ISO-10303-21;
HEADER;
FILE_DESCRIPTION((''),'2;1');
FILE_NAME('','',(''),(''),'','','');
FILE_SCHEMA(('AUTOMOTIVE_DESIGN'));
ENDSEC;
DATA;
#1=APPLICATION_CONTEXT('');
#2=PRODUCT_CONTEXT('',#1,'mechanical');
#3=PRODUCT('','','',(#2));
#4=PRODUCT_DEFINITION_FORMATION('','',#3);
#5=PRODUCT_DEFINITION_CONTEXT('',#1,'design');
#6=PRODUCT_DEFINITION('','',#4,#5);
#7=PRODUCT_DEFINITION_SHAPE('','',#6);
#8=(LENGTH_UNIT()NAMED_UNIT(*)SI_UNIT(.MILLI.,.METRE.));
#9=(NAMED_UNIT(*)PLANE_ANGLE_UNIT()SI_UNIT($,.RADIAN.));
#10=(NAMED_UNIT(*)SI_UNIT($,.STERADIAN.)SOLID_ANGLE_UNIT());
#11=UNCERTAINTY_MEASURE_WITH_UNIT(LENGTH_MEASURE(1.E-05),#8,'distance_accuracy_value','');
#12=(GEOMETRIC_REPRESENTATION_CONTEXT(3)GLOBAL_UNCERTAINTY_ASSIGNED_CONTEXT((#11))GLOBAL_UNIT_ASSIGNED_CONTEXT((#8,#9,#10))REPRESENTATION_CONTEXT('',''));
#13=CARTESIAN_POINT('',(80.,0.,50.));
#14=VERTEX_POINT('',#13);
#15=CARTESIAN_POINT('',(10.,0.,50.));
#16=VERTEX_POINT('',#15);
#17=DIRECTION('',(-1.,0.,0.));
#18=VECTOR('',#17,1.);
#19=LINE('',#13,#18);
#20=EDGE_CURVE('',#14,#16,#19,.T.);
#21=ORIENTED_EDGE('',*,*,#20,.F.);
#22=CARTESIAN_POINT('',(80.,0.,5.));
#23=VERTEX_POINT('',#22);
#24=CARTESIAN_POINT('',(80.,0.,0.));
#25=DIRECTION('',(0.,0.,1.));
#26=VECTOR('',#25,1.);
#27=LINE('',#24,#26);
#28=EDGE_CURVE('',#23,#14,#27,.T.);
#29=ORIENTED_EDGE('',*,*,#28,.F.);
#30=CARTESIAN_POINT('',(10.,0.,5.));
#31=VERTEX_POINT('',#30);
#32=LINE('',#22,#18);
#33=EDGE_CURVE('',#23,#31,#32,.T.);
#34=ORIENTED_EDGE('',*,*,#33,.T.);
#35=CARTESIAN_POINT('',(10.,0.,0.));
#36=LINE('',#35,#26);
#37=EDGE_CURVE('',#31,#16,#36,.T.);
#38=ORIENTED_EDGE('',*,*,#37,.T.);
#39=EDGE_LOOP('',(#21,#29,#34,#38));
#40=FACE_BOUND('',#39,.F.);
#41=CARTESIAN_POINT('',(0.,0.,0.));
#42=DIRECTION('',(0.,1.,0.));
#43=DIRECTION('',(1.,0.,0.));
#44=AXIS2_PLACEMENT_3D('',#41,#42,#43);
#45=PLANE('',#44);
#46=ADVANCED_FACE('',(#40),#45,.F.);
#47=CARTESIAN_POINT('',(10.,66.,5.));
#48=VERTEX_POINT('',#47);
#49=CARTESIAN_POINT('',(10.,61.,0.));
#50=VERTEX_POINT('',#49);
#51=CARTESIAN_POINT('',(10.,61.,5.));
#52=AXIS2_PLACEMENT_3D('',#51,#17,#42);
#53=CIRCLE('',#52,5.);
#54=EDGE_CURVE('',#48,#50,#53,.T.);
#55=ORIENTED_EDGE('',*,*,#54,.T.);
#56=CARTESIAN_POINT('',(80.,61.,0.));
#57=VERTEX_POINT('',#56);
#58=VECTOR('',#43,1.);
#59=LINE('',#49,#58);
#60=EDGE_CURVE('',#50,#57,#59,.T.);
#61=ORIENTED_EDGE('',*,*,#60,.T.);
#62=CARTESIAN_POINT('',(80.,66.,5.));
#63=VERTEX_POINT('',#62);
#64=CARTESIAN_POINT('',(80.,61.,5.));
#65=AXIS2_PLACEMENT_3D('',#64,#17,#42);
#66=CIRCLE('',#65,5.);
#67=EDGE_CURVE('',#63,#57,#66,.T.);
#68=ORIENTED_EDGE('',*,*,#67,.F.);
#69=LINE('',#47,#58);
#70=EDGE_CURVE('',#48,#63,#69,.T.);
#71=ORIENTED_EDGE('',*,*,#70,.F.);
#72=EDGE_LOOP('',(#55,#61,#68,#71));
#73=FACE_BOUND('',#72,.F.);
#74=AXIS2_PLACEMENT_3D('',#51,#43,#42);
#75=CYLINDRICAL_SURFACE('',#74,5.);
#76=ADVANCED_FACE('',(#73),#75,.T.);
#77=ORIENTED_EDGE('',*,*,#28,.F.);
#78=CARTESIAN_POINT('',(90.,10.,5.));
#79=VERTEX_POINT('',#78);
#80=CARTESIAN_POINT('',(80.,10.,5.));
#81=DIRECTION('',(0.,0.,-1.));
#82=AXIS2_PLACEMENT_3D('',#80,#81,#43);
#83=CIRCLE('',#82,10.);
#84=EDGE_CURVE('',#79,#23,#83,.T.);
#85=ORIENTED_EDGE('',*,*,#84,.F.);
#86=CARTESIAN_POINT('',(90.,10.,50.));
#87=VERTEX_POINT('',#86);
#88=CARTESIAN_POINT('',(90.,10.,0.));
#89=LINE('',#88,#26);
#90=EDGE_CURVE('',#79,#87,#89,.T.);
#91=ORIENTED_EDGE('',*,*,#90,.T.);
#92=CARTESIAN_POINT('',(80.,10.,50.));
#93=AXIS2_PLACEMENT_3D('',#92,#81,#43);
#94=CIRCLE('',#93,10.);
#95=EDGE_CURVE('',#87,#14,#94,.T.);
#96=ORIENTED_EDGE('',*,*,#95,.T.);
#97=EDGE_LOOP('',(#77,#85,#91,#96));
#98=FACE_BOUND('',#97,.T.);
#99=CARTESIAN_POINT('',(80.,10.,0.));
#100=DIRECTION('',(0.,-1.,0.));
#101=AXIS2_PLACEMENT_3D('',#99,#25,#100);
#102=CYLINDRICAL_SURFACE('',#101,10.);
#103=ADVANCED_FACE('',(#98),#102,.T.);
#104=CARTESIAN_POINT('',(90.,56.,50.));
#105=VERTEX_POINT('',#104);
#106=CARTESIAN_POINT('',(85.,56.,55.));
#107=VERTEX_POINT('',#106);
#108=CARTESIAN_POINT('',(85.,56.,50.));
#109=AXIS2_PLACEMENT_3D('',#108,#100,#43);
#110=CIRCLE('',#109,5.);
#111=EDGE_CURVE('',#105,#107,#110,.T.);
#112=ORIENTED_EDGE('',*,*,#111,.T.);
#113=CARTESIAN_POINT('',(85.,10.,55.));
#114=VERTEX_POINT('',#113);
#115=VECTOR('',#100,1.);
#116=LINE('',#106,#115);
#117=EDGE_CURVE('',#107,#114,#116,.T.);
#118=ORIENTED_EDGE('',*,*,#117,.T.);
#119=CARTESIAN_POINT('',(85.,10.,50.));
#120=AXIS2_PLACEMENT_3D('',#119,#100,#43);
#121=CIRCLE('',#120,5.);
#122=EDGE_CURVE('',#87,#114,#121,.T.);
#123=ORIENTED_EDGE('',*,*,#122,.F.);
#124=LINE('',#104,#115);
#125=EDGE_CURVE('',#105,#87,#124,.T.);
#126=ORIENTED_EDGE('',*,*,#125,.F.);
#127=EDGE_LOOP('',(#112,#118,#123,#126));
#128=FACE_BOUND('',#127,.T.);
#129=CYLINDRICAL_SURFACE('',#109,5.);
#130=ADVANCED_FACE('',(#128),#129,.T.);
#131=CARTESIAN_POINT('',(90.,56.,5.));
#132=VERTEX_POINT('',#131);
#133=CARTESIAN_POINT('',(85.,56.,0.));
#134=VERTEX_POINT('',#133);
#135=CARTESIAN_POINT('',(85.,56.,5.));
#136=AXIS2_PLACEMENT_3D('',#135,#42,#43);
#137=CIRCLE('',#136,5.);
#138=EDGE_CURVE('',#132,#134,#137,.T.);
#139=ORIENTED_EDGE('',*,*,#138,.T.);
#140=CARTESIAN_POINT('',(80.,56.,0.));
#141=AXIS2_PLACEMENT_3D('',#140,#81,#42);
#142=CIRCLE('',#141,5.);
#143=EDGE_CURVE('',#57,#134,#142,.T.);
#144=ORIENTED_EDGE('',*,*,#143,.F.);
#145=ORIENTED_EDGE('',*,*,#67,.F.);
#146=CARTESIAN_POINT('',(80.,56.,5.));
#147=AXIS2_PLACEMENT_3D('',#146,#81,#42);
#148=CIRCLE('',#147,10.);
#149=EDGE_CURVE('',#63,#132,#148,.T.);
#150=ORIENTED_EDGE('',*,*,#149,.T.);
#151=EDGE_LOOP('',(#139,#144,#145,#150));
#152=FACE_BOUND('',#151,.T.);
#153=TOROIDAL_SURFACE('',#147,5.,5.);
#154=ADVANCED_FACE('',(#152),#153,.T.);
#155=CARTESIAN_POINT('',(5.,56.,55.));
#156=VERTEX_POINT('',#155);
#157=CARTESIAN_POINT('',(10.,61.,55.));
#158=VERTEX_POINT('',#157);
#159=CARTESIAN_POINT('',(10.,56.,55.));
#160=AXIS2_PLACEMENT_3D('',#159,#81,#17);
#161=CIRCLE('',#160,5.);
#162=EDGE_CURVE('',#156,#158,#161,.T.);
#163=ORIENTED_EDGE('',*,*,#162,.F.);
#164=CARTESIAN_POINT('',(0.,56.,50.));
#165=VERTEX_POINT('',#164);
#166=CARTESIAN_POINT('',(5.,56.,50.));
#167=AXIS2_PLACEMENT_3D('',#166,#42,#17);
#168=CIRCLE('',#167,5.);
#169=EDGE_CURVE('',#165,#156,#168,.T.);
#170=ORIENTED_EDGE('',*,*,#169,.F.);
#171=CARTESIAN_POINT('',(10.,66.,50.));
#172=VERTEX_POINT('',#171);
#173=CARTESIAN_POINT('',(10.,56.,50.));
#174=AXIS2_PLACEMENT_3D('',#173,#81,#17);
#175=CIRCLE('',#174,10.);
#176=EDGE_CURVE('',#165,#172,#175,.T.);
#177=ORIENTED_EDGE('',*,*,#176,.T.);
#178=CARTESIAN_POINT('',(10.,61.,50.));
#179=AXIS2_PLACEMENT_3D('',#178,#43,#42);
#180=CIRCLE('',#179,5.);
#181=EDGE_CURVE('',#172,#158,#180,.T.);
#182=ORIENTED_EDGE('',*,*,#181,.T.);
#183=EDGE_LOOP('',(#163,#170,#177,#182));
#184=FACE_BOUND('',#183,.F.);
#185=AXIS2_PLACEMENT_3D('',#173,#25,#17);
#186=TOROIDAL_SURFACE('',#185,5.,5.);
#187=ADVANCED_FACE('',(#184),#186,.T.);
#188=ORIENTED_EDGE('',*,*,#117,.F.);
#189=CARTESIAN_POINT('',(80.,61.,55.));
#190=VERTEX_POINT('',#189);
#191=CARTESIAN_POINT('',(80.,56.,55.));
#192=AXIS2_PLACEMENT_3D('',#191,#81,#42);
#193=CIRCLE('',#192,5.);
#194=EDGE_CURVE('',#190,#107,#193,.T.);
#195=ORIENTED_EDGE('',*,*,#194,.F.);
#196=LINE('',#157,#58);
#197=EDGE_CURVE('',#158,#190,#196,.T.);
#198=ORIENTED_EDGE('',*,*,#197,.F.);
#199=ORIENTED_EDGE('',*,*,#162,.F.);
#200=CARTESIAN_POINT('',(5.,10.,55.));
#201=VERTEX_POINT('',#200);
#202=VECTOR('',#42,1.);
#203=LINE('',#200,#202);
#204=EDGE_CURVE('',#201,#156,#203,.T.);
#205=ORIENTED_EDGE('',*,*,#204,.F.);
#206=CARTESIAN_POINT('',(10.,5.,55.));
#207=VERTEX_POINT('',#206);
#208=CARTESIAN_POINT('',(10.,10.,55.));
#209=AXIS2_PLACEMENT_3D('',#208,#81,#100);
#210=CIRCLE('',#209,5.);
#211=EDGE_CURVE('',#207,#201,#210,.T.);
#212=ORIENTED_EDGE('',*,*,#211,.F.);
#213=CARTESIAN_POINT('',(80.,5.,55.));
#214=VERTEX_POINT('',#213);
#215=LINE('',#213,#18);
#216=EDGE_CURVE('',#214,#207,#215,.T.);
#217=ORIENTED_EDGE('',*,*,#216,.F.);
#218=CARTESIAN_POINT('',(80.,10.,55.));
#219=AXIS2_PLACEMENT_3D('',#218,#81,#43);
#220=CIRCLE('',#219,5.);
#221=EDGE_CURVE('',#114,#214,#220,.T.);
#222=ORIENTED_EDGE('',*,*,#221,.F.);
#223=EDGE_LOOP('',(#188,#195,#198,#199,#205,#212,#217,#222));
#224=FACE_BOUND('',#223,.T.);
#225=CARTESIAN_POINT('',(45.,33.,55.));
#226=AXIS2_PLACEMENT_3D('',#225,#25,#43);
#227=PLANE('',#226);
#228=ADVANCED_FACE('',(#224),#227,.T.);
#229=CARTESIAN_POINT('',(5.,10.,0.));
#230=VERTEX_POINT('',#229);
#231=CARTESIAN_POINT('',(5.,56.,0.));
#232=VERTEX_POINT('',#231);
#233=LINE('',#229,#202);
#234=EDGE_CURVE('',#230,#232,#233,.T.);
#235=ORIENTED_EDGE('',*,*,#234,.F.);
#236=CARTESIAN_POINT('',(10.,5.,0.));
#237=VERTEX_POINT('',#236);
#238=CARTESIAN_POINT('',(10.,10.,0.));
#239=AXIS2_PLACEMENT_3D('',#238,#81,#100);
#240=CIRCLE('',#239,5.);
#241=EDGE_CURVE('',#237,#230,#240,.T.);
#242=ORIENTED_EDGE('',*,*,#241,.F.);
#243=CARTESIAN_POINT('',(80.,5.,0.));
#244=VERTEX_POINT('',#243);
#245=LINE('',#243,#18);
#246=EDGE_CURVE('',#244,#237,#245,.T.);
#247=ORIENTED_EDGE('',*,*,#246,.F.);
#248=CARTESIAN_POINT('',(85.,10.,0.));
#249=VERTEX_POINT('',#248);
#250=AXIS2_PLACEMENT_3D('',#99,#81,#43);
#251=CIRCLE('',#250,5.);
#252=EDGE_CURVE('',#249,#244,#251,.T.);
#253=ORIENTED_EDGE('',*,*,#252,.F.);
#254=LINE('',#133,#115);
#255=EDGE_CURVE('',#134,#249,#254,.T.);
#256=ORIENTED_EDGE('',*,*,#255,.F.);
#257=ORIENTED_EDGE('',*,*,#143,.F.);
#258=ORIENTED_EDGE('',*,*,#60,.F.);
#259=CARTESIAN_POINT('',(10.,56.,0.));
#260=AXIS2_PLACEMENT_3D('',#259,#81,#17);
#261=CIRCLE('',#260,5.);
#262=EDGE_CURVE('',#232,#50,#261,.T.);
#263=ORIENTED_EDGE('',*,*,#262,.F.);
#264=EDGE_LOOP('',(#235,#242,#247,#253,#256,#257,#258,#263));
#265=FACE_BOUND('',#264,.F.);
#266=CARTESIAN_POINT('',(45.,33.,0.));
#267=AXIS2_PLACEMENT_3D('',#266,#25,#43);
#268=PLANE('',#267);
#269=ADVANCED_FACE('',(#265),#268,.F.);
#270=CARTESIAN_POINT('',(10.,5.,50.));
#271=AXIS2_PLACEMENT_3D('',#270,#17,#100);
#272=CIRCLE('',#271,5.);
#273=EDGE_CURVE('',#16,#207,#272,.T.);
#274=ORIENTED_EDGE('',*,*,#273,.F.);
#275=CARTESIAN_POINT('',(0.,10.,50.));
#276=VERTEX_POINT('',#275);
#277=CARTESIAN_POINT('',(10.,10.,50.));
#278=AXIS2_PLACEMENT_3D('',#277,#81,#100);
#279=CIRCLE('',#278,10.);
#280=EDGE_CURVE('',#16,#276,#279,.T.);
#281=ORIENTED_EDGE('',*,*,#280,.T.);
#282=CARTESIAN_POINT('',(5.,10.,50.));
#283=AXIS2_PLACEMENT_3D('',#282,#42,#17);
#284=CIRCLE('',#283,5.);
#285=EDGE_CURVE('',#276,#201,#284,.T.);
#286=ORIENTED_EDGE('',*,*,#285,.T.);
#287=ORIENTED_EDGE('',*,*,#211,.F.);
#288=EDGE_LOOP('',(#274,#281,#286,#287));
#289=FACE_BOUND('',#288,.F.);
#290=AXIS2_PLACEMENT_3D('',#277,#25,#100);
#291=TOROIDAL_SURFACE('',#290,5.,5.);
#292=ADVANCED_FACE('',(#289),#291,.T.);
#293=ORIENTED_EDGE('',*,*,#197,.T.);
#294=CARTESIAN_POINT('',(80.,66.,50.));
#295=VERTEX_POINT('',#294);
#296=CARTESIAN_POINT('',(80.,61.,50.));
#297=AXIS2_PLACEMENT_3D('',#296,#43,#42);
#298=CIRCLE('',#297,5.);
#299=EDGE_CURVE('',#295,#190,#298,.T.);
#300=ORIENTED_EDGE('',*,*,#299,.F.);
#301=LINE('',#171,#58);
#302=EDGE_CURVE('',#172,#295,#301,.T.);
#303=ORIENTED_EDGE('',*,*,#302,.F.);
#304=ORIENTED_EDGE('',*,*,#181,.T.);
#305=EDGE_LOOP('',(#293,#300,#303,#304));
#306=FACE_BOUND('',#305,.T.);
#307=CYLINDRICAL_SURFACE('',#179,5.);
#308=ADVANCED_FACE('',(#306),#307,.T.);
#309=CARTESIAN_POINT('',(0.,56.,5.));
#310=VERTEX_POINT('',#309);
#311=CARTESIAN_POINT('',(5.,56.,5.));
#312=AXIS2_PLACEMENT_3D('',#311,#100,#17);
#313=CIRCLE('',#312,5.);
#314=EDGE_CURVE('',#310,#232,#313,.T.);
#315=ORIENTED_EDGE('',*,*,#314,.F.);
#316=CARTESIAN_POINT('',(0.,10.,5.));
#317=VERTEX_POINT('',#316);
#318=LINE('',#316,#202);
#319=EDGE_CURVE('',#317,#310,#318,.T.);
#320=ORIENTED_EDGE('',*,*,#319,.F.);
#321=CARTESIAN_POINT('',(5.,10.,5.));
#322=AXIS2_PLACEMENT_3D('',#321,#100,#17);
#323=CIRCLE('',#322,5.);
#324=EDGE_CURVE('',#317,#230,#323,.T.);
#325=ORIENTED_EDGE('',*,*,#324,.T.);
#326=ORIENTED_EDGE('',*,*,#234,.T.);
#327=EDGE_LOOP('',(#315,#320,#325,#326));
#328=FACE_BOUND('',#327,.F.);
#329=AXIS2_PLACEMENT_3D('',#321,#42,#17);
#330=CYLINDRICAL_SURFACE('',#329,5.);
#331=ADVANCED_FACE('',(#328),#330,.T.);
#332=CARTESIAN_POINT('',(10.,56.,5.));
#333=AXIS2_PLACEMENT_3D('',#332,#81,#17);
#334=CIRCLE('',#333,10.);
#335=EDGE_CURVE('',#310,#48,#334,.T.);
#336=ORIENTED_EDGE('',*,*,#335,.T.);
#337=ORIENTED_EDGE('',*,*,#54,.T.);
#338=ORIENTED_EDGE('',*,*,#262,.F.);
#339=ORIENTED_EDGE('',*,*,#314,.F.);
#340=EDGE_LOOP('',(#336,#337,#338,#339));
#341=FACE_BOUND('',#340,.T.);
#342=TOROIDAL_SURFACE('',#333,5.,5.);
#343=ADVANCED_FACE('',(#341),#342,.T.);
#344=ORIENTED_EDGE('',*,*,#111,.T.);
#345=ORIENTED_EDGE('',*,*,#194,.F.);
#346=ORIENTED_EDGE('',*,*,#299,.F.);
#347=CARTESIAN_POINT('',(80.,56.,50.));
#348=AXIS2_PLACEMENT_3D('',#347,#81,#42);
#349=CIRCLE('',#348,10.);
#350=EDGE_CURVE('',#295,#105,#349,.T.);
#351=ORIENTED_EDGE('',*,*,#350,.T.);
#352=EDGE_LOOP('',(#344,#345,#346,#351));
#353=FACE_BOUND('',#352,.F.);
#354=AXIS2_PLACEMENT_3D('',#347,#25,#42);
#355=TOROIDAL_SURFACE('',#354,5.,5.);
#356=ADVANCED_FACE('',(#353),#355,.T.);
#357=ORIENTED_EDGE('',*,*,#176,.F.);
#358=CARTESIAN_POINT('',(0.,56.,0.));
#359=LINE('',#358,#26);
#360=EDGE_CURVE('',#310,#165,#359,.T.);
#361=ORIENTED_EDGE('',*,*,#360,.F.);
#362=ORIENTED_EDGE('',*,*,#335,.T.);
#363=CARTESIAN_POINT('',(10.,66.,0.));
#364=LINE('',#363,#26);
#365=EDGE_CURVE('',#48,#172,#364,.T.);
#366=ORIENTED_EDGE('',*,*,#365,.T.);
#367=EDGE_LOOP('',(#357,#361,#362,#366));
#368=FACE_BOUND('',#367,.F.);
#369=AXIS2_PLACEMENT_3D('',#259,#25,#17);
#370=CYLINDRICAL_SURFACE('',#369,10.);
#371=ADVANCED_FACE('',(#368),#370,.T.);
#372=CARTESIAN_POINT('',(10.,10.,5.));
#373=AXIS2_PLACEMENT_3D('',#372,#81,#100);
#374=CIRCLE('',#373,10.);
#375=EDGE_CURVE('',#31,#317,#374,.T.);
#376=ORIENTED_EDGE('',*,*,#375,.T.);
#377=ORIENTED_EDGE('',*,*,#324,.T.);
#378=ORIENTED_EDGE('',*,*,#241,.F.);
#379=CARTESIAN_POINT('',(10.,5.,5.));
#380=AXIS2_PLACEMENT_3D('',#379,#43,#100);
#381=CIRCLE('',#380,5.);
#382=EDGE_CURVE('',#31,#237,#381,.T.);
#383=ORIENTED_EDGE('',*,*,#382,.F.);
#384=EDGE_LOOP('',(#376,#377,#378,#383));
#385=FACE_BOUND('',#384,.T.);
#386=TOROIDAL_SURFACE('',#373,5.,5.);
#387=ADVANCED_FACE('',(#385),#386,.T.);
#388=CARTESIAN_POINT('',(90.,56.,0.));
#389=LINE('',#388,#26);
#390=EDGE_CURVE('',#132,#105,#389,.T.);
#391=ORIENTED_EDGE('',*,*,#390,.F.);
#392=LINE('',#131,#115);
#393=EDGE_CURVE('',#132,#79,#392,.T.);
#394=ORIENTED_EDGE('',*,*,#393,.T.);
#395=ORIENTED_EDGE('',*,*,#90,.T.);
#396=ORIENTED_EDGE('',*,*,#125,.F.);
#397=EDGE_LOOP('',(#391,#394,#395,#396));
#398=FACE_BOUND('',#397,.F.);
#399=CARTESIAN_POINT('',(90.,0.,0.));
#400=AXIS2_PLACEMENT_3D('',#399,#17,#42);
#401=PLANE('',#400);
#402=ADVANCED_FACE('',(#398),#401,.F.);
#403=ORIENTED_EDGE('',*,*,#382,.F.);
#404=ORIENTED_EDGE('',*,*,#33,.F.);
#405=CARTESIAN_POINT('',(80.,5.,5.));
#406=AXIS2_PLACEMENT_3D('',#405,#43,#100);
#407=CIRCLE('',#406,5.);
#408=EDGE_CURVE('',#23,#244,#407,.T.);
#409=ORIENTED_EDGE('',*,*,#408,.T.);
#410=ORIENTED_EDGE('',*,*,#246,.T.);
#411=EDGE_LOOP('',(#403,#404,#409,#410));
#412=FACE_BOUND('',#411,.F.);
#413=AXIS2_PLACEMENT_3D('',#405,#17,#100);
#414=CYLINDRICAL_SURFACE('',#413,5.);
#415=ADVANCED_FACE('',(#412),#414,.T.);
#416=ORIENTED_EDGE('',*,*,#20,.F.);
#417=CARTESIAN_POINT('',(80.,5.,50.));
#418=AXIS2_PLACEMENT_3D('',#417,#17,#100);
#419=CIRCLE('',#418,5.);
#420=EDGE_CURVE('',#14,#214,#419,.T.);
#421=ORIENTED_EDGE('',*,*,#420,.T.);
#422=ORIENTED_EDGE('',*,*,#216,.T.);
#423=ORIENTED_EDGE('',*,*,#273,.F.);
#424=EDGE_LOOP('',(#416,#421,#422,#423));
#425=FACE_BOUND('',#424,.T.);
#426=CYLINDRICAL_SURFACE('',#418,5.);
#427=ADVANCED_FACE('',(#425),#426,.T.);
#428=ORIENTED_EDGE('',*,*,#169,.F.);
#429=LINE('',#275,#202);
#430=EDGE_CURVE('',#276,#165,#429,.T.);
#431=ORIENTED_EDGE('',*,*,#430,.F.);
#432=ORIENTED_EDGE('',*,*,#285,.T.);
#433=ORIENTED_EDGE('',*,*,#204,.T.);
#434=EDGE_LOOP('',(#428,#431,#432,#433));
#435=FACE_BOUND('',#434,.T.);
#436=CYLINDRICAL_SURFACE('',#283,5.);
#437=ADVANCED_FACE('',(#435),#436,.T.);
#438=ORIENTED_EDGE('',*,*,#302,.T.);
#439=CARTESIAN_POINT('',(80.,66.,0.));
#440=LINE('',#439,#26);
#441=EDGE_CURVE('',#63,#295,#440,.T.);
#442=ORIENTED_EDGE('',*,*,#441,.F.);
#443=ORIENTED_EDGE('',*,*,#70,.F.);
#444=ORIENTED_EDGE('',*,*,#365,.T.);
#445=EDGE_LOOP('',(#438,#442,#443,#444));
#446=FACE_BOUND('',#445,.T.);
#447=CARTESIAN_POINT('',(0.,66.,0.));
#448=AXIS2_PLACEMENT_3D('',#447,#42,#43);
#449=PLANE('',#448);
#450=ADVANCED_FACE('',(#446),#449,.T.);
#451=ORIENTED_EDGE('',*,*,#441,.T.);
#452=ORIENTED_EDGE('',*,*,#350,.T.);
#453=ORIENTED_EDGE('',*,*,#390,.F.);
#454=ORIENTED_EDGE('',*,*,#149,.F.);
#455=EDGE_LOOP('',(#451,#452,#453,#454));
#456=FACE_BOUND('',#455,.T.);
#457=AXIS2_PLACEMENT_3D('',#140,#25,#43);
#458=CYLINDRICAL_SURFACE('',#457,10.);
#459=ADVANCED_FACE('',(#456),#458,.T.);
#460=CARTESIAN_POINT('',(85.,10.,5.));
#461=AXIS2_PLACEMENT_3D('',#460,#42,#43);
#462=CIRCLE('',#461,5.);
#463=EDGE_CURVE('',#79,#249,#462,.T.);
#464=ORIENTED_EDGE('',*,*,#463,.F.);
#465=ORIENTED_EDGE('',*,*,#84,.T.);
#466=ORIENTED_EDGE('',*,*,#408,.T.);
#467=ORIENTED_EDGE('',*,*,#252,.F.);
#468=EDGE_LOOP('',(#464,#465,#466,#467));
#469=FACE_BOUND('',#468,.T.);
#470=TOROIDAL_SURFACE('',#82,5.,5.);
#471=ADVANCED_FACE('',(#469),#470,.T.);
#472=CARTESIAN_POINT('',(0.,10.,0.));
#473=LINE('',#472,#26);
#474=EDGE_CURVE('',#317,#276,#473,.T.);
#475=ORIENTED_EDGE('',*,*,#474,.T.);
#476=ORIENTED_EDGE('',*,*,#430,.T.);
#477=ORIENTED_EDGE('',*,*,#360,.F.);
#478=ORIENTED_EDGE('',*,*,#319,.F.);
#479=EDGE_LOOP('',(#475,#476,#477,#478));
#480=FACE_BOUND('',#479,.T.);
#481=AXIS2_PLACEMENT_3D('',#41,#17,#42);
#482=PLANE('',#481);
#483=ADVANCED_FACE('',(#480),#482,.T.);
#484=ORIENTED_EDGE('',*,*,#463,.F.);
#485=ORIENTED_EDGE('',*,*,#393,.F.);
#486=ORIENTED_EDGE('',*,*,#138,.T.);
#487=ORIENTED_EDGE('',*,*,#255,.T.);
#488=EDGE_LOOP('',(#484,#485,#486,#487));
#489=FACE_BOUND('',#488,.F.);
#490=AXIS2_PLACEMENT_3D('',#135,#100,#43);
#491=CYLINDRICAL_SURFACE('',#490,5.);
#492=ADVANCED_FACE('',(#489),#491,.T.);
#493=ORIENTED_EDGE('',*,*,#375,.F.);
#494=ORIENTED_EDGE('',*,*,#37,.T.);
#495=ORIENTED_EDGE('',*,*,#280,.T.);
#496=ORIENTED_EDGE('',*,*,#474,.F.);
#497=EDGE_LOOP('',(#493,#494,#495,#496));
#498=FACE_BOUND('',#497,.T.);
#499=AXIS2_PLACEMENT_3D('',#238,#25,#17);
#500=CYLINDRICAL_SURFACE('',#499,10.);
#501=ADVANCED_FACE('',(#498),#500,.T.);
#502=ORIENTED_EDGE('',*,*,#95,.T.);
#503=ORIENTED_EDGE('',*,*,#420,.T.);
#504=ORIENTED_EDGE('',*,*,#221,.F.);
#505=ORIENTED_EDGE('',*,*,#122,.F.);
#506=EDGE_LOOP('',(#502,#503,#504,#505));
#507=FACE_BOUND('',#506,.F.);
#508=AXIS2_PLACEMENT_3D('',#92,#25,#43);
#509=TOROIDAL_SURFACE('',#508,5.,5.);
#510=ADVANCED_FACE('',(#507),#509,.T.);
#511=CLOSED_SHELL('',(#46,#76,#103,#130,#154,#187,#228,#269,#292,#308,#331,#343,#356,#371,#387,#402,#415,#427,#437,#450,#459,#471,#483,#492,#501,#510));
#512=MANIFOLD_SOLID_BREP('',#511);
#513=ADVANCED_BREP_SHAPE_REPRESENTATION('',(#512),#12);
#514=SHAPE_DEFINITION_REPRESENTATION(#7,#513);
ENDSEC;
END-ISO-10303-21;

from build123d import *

# Parameters (mm, degrees)
F0_W     = 90
F0_H     = 66
F1_DEPTH = 55
F2_R     = 10
F3_R     = 5


with BuildPart() as f1:
    # F0 (on Top) → F1 (new body)
    with BuildSketch(Plane.XY):
        with Locations((45, 33)):
            Rectangle(F0_W, F0_H)
    extrude(amount=F1_DEPTH)

    # F2
    f2_edges = [f1.edges().sort_by_distance(p)[0] for p in [
        (90, 0, 27.5),
        (90, 66, 27.5),
        (0, 66, 27.5),
        (0, 0, 27.5),
    ]]
    fillet(f2_edges, radius=F2_R)

    # F3
    f3_edges = [f1.edges().sort_by_distance(p)[0] for p in [
        (0, 33, 0),
        (2.928932, 63.071068, 0),
        (2.928932, 2.928932, 0),
        (45, 66, 0),
        (45, 0, 0),
        (87.071068, 63.071068, 0),
        (87.071068, 2.928932, 0),
        (90, 33, 0),
        (0, 33, 55),
        (2.928932, 63.071068, 55),
        (2.928932, 2.928932, 55),
        (45, 66, 55),
        (45, 0, 55),
        (87.071068, 63.071068, 55),
        (87.071068, 2.928932, 55),
        (90, 33, 55),
    ]]
    fillet(f3_edges, radius=F3_R)


solid = f1.part
